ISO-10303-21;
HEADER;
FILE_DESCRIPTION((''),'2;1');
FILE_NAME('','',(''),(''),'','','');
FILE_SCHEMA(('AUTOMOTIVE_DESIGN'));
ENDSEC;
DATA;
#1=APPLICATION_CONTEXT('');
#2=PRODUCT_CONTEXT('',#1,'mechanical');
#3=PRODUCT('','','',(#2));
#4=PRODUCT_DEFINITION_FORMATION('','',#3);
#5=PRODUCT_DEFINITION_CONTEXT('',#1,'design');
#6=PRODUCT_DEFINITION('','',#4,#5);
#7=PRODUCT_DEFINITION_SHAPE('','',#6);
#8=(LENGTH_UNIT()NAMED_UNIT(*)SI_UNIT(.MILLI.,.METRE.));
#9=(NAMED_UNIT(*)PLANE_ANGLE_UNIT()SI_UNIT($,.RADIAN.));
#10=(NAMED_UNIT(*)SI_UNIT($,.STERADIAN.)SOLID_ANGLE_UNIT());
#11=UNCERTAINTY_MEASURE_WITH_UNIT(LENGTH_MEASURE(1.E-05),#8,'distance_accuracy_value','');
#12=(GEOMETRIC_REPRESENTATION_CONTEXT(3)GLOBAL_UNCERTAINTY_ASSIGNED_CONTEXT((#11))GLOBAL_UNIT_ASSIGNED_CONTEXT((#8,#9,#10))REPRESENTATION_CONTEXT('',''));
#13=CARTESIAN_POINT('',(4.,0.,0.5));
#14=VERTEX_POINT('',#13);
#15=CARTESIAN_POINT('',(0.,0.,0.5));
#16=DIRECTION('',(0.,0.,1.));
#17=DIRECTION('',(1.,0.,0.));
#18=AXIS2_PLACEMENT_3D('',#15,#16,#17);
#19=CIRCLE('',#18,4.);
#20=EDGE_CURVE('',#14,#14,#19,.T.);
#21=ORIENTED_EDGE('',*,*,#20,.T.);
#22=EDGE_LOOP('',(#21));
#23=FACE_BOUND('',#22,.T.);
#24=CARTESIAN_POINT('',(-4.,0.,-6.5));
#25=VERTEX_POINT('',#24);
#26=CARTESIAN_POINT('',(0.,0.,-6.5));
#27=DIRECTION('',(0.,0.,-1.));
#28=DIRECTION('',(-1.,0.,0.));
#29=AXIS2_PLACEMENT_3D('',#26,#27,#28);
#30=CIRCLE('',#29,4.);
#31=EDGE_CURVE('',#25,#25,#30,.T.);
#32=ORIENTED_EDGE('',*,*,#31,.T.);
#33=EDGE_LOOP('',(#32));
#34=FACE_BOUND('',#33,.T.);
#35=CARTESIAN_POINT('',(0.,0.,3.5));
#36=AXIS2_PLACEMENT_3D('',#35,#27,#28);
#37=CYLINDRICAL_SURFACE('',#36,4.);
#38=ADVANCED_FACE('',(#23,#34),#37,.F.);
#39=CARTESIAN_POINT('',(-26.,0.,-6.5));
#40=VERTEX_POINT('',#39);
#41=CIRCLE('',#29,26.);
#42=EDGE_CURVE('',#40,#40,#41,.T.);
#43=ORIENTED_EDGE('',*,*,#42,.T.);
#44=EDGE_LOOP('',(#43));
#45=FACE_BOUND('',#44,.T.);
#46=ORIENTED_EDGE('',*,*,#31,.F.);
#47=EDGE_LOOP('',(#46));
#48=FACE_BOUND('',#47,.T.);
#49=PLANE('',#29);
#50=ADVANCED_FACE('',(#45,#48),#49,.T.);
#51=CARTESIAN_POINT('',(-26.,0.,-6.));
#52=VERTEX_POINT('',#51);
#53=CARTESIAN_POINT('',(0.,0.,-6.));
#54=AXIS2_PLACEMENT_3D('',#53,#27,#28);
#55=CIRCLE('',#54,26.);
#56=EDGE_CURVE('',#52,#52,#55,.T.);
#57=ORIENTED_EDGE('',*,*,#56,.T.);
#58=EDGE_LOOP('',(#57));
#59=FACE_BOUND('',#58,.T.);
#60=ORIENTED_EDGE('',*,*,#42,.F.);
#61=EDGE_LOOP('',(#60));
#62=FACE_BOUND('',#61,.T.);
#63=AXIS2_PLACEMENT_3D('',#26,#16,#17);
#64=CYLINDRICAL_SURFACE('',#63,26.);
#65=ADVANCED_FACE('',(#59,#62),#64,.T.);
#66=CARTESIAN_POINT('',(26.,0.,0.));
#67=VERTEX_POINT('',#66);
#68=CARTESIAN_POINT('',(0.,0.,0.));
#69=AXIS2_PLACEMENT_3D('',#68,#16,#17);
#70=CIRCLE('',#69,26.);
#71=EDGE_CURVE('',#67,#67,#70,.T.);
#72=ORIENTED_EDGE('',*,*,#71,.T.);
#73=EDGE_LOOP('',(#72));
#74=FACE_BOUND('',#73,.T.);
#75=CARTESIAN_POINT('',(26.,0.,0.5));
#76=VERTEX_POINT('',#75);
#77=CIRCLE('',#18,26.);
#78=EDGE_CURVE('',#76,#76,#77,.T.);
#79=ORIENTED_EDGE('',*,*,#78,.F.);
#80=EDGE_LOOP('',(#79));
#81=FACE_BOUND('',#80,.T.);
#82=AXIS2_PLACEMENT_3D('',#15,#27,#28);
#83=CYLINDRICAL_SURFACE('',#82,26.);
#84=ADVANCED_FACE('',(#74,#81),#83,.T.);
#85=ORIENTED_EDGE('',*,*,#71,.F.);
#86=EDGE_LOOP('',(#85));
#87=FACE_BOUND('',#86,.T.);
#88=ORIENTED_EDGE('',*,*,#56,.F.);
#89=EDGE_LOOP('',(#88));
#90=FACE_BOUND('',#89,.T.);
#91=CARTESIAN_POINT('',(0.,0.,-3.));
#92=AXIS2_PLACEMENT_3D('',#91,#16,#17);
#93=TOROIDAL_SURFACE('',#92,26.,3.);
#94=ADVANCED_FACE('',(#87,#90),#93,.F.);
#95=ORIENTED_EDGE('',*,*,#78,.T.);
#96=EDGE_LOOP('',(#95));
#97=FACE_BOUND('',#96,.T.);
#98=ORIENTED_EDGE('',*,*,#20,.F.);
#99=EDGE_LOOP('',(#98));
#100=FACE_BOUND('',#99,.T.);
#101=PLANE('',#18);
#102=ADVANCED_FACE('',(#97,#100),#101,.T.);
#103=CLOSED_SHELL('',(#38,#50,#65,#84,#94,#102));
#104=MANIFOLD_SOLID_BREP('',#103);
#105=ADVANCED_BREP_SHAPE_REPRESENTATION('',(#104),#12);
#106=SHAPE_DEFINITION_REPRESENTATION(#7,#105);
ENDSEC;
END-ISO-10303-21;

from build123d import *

# Parameters (mm, degrees)
SKETCH1_W           = 23
SKETCH1_H           = 6
SKETCH2_R           = 26
SKETCH2_R_2         = 1
BOSS_EXTRUDE1_DEPTH = 0.5
BOSS_EXTRUDE2_START = 0.5
SKETCH3_R           = 26
BOSS_EXTRUDE2_DEPTH = 0.5
SKETCH4_R           = 1
CUT_EXTRUDE2_DEPTH  = 7
SKETCH5_R           = 4
CUT_EXTRUDE3_DEPTH  = 10


with BuildPart() as part:
    # Sketch1 → Revolve1 (revolve)
    with BuildSketch(Plane(origin=(0, 0, 0), x_dir=(1, 0, 0), z_dir=(0, 1, 0))):
        with BuildLine():
            Line((23, 6), (23, 3))
            ThreePointArc((23, 3), (23.878679656, 5.121320344), (26, 6))
            Line((26, 6), (23, 6))
        make_face()
        with BuildLine():
            Line((23, 3), (23, 0))
            Line((23, 0), (26, 0))
            ThreePointArc((26, 0), (23.878679656, 0.878679656), (23, 3))
        make_face()
        with Locations((11.5, 3)):
            Rectangle(SKETCH1_W, SKETCH1_H)
    revolve(axis=Axis((0, 0, 0), (0, 0, -1)))

    # Sketch2 → Boss-Extrude1 (add)
    with BuildSketch(Plane.XY):
        Circle(SKETCH2_R)
        Circle(SKETCH2_R_2, mode=Mode.SUBTRACT)
    extrude(amount=BOSS_EXTRUDE1_DEPTH)

    # Sketch3 → Boss-Extrude2 (add)
    with BuildSketch(Plane(origin=(0, 0, -6), x_dir=(-1, 0, 0), z_dir=(0, 0, -1)).offset(BOSS_EXTRUDE2_START)):
        with Locations(Location((0, 0, 0), (0, 0, 180))):
            Circle(SKETCH3_R)
    extrude(amount=-BOSS_EXTRUDE2_DEPTH)

    # Sketch4 → Cut-Extrude2 (cut)
    with BuildSketch(Plane(origin=(0, 0, -6.5), x_dir=(-1, 0, 0), z_dir=(0, 0, -1))):
        Circle(SKETCH4_R)
    extrude(amount=-CUT_EXTRUDE2_DEPTH, mode=Mode.SUBTRACT)

    # Sketch5 → Cut-Extrude3 (cut)
    with BuildSketch(Plane(origin=(0, 0, -6.5), x_dir=(-1, 0, 0), z_dir=(0, 0, -1))):
        Circle(SKETCH5_R)
    extrude(amount=-CUT_EXTRUDE3_DEPTH, mode=Mode.SUBTRACT)


solid = part.part
